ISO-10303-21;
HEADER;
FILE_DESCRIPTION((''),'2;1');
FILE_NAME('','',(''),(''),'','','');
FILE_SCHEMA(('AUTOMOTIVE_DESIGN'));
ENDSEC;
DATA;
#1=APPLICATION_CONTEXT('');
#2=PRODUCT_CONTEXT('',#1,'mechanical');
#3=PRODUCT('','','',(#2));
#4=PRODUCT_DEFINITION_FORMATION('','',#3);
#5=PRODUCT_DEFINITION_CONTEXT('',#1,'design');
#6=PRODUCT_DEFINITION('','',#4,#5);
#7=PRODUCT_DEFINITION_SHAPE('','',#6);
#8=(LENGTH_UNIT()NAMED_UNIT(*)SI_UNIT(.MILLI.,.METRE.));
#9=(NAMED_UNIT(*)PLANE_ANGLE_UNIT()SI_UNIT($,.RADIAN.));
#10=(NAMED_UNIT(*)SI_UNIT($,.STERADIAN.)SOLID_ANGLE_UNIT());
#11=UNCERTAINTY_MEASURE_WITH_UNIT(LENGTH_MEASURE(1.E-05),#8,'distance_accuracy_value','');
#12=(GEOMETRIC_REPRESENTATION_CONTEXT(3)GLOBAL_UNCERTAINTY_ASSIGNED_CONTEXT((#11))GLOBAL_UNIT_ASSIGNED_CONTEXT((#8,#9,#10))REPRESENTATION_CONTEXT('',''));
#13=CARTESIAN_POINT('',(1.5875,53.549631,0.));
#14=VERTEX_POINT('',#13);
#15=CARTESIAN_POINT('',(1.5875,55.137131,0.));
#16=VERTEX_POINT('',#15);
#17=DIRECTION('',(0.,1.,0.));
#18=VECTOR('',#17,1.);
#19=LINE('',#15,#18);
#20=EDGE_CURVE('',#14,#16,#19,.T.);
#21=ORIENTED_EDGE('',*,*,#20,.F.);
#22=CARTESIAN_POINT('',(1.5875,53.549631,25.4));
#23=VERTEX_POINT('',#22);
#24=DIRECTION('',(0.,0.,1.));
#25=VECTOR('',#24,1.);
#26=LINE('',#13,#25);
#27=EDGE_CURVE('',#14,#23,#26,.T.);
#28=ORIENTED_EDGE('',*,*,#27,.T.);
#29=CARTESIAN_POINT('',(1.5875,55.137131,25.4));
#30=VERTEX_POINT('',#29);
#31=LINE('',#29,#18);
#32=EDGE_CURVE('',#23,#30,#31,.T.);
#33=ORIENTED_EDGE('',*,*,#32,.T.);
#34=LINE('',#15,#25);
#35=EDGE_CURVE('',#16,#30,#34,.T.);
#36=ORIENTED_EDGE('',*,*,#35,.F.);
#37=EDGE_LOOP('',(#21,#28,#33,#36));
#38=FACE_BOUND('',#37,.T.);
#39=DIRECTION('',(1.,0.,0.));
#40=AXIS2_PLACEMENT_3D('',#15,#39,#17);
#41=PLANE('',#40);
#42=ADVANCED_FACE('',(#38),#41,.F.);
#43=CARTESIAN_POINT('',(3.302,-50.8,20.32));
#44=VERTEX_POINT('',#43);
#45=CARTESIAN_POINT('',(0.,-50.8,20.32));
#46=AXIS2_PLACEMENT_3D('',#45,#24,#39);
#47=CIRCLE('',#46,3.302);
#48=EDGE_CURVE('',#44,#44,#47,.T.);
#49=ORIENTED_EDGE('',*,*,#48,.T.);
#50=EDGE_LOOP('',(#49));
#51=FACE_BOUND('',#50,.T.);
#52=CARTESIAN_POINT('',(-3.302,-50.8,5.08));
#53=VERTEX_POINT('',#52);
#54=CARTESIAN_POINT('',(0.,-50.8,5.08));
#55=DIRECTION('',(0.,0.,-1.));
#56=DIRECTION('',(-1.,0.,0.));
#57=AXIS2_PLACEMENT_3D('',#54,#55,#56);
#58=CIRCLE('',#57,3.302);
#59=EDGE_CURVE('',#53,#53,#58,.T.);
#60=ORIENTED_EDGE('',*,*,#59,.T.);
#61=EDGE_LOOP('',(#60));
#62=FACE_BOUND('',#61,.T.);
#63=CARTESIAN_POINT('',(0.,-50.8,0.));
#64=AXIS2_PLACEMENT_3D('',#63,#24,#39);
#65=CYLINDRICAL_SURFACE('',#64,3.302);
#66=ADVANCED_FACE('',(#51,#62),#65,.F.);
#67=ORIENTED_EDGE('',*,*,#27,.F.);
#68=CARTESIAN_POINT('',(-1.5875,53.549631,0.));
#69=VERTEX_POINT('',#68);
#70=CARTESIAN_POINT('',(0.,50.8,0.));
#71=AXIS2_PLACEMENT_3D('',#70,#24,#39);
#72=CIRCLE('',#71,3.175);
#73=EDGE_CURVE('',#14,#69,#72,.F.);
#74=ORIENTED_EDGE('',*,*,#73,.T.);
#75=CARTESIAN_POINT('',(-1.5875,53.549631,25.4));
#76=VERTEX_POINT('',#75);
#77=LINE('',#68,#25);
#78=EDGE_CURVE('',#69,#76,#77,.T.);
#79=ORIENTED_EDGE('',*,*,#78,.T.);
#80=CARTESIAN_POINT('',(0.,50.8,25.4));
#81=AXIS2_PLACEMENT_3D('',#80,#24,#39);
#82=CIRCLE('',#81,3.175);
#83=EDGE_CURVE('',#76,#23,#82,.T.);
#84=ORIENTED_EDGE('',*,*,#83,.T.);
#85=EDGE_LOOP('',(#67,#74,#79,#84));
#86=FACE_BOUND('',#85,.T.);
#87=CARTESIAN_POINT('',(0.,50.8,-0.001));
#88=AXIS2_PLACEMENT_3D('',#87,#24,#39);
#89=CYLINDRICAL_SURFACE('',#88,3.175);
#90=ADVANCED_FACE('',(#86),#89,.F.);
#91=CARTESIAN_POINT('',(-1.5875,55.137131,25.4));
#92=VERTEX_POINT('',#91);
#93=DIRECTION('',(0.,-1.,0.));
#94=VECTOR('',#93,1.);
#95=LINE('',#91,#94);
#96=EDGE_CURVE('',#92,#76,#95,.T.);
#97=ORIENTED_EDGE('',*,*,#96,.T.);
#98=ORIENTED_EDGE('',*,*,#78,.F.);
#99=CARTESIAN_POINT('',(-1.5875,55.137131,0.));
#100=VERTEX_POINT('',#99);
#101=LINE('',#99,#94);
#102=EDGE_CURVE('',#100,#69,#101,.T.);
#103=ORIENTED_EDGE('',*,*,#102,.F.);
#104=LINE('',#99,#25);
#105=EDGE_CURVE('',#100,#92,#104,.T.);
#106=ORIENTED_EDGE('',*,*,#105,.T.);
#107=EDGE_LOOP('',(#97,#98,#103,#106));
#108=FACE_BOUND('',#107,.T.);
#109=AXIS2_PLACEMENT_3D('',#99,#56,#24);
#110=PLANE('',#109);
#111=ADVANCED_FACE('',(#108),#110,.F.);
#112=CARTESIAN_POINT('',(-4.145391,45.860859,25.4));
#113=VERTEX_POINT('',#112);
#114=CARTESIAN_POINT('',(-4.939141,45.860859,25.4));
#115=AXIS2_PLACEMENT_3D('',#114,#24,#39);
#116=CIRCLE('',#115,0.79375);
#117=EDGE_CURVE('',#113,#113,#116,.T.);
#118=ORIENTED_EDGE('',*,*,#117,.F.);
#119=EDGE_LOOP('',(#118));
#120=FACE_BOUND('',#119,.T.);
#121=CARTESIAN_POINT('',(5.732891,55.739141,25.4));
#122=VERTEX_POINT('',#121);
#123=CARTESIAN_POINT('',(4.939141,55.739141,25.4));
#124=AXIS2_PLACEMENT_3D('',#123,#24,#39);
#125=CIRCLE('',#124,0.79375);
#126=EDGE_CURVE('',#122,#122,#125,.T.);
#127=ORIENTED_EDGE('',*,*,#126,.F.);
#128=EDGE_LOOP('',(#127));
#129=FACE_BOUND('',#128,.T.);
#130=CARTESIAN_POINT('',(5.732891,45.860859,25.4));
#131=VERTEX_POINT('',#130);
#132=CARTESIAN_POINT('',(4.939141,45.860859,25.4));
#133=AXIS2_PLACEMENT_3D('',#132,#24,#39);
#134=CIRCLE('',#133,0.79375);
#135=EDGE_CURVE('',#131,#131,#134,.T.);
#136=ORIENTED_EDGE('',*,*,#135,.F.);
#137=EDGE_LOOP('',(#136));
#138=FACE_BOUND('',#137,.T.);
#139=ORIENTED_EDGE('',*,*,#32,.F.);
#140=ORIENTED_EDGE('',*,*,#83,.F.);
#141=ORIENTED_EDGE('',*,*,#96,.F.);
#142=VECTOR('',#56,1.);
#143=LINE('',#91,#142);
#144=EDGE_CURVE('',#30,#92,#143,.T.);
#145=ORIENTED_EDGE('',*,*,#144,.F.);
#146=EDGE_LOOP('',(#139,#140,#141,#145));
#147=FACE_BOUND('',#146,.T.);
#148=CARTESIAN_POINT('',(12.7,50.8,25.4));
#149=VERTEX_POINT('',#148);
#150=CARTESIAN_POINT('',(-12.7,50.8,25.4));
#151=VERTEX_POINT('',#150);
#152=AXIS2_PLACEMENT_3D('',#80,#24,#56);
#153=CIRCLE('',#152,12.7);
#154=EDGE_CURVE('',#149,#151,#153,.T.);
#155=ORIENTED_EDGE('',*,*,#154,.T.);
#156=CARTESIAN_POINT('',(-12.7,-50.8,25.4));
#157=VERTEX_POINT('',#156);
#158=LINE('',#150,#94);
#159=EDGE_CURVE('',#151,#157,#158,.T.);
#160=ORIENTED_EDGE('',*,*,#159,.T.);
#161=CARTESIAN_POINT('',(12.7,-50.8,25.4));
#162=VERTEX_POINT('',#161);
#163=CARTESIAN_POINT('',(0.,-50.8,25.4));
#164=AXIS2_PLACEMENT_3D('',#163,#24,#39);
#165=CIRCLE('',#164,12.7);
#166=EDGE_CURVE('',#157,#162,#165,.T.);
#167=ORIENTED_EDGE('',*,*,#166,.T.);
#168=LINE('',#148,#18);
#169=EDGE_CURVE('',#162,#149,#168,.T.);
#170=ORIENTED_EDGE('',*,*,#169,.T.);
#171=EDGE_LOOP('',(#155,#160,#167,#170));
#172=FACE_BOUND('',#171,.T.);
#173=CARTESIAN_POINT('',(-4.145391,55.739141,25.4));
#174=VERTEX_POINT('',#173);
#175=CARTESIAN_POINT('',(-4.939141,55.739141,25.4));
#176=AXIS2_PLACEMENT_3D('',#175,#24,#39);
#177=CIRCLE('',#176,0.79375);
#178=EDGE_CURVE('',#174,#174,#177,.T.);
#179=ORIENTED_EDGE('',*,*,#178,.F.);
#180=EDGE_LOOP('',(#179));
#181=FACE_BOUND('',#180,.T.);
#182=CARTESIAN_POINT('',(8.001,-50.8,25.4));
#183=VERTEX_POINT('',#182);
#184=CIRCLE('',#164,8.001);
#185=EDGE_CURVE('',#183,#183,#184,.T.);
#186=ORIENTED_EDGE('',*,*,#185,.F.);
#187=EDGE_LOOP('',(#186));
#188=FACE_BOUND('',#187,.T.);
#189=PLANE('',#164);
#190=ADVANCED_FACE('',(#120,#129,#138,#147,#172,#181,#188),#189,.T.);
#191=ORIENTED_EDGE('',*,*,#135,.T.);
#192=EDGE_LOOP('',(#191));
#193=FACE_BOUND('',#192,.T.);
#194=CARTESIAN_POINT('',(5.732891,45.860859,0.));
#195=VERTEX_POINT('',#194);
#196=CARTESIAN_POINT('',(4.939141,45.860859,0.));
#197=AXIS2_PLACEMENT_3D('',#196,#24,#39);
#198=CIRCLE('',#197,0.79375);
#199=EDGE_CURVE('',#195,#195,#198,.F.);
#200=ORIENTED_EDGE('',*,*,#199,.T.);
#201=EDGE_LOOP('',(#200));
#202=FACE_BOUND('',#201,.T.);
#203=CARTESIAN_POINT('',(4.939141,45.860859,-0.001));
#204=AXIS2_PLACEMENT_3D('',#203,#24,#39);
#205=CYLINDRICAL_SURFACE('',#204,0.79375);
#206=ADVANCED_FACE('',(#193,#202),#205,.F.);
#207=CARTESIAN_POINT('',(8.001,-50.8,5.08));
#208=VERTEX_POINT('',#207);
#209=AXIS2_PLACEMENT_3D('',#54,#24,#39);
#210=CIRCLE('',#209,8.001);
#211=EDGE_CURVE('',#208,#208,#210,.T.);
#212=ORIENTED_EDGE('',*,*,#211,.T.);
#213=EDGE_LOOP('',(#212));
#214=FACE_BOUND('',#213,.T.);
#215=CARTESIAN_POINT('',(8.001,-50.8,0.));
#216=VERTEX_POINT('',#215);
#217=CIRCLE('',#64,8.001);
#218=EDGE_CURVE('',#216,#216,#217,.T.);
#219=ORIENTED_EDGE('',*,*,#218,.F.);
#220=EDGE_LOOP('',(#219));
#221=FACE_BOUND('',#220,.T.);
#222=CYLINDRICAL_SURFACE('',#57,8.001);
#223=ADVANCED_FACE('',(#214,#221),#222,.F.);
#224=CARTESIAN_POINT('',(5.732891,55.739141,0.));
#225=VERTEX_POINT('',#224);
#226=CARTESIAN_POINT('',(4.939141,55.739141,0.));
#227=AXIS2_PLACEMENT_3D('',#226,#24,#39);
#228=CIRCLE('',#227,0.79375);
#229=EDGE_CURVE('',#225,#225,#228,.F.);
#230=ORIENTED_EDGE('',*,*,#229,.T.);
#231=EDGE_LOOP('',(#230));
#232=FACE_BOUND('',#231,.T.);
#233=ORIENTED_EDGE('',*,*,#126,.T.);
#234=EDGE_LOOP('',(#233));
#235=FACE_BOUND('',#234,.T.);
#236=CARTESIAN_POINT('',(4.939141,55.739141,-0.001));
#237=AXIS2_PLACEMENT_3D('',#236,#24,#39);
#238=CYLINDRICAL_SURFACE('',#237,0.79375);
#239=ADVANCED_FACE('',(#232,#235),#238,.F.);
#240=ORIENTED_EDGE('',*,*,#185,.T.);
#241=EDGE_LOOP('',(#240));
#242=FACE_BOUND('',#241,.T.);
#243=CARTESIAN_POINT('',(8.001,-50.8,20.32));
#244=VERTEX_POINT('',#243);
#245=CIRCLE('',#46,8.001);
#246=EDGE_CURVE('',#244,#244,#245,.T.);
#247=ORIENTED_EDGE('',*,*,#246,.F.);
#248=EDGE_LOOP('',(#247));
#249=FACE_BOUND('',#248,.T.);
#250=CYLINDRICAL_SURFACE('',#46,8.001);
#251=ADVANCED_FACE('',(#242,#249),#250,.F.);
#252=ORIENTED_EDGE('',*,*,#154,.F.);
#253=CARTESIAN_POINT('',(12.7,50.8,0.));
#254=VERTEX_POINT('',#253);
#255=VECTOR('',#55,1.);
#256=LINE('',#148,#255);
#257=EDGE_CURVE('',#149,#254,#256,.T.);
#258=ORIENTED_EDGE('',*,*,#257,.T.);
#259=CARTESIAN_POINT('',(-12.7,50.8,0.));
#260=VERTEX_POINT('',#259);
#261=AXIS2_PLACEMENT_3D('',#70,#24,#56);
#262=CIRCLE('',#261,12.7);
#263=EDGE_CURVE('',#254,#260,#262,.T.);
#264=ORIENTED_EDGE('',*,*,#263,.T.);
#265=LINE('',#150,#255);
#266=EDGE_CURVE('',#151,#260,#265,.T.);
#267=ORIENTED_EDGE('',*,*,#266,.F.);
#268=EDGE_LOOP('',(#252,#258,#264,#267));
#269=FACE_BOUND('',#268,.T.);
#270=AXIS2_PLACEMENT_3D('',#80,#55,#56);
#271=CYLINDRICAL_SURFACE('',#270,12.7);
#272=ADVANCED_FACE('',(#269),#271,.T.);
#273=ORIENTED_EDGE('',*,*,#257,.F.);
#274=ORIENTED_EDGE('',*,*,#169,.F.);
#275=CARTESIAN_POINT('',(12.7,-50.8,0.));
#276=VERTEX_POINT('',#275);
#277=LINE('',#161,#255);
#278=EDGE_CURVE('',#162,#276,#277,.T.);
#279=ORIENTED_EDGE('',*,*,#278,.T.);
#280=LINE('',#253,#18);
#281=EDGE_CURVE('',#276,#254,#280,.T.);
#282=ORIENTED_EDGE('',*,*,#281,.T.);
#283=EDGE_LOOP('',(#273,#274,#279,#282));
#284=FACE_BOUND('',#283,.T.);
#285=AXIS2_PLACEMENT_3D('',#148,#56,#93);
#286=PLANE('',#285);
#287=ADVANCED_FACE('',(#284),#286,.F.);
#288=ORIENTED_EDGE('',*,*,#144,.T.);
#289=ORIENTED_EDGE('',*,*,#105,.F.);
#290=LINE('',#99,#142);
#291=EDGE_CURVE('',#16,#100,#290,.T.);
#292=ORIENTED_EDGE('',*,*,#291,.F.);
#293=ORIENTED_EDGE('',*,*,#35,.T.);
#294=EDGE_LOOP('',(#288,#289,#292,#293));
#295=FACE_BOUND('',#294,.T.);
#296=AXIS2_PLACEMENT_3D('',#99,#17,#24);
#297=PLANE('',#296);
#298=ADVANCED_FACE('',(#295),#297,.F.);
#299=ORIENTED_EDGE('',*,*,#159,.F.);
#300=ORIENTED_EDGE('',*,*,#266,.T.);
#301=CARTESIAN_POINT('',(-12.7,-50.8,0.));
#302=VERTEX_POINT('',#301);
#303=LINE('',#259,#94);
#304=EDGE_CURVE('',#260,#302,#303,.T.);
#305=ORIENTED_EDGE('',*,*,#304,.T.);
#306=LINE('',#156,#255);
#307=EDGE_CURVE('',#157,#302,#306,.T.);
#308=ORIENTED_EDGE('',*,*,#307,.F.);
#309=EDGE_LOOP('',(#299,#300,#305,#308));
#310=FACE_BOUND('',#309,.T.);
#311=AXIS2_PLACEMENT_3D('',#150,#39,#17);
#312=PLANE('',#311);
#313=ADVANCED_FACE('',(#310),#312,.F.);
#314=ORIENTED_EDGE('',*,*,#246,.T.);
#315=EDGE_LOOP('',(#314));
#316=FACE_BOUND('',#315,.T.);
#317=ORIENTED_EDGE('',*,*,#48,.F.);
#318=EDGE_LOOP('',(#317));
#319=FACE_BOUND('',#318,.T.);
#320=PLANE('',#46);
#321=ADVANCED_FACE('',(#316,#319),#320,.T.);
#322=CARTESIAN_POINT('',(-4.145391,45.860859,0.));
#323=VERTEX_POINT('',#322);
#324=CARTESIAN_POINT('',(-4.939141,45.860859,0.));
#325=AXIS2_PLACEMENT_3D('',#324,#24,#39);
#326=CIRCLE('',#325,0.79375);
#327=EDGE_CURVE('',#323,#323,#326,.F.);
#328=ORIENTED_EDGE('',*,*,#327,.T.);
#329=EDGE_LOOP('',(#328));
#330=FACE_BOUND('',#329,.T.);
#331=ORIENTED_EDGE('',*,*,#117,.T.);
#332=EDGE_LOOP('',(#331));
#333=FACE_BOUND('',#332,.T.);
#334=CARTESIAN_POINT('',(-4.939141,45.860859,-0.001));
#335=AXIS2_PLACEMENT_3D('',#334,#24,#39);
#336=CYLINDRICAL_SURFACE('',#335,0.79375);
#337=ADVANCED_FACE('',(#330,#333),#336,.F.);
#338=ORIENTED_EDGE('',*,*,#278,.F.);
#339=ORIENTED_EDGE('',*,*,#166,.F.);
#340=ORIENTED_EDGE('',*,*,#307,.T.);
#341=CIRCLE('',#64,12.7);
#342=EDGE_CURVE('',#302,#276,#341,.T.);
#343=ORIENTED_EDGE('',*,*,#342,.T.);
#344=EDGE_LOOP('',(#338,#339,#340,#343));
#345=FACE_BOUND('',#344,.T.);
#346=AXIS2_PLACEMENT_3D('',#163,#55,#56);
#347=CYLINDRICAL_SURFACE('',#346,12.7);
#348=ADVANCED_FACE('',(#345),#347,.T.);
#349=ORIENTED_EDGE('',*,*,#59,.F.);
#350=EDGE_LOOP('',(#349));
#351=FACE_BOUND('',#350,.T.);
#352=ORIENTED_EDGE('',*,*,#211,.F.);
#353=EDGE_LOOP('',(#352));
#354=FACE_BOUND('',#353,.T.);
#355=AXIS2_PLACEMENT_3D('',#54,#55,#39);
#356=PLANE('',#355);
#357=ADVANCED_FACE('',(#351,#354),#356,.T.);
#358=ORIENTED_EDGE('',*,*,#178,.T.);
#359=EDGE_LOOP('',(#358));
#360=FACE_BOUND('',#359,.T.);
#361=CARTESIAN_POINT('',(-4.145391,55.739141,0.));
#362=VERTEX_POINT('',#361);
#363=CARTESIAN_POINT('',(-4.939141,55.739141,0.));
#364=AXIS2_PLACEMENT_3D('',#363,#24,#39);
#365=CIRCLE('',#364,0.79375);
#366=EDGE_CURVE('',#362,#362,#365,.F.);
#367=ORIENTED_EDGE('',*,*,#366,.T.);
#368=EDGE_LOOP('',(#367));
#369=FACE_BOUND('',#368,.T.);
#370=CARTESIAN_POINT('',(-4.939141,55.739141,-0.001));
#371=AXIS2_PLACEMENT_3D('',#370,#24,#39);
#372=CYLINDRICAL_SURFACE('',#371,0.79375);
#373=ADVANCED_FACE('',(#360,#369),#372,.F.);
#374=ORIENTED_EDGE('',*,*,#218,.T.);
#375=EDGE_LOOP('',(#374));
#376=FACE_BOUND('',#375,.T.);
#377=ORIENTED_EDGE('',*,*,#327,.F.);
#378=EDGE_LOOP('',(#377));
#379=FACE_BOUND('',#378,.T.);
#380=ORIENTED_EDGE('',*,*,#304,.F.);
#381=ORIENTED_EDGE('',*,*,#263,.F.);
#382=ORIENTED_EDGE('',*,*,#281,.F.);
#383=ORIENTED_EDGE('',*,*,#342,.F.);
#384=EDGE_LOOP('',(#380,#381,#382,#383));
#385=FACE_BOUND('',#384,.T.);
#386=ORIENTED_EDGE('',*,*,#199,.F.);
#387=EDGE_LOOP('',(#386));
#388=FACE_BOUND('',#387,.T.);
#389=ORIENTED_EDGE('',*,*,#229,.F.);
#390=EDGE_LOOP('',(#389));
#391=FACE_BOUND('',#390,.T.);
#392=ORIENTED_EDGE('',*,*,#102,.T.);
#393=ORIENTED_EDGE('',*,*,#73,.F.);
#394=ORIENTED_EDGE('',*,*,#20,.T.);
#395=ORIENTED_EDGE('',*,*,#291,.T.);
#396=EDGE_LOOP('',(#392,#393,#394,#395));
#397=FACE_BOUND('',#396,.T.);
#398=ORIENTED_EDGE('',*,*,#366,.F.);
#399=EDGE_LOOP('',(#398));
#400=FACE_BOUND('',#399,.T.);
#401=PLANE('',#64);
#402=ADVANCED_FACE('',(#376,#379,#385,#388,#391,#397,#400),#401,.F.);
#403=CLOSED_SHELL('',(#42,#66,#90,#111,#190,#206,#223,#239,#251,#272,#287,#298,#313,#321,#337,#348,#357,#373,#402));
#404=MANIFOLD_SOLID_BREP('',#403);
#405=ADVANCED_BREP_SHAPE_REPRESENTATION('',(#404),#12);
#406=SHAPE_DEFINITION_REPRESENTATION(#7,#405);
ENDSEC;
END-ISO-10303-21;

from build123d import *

# Parameters (mm, degrees)
BOSS_EXTRUDE1_DEPTH = 25.4
CUT_EXTRUDE1_REACH  = 71.561
SKETCH2_R           = 3.175
SKETCH2_R_2         = 0.79375
SKETCH3_W           = 3.175
SKETCH3_H           = 1.5875
CUT_EXTRUDE2_DEPTH  = 70.560764803
SKETCH4_R           = 8.001
CUT_EXTRUDE3_DEPTH  = 5.08
SKETCH5_R           = 3.302
CUT_EXTRUDE4_DEPTH  = 68.870777217


with BuildPart() as part:
    # Sketch1 → Boss-Extrude1 (new body)
    with BuildSketch(Plane.XY):
        with BuildLine():
            Line((12.7, 50.8), (12.7, -50.8))
            ThreePointArc((12.7, -50.8), (0, -63.5), (-12.7, -50.8))
            Line((-12.7, -50.8), (-12.7, 50.8))
            ThreePointArc((-12.7, 50.8), (0, 63.5), (12.7, 50.8))
        make_face()
    extrude(amount=BOSS_EXTRUDE1_DEPTH)

    # Sketch2 → Cut-Extrude1 (cut, up to next)
    with BuildSketch(Plane.XY.offset(25.4), mode=Mode.PRIVATE) as cut_extrude1_sk1:
        with Locations((0, 50.8)):
            Circle(SKETCH2_R)
    cut_extrude1_tool1 = extrude(cut_extrude1_sk1.sketch, amount=-CUT_EXTRUDE1_REACH, mode=Mode.PRIVATE) & part.part
    # Sketch2 → Cut-Extrude1 (cut, up to next)
    with BuildSketch(Plane.XY.offset(25.4), mode=Mode.PRIVATE) as cut_extrude1_sk2:
        with Locations((-4.939140867, 55.739140867)):
            Circle(SKETCH2_R_2)
    cut_extrude1_tool2 = extrude(cut_extrude1_sk2.sketch, amount=-CUT_EXTRUDE1_REACH, mode=Mode.PRIVATE) & part.part
    # Sketch2 → Cut-Extrude1 (cut, up to next)
    with BuildSketch(Plane.XY.offset(25.4), mode=Mode.PRIVATE) as cut_extrude1_sk3:
        with Locations((-4.939140867, 45.860859133)):
            Circle(SKETCH2_R_2)
    cut_extrude1_tool3 = extrude(cut_extrude1_sk3.sketch, amount=-CUT_EXTRUDE1_REACH, mode=Mode.PRIVATE) & part.part
    # Sketch2 → Cut-Extrude1 (cut, up to next)
    with BuildSketch(Plane.XY.offset(25.4), mode=Mode.PRIVATE) as cut_extrude1_sk4:
        with Locations((4.939140867, 55.739140867)):
            Circle(SKETCH2_R_2)
    cut_extrude1_tool4 = extrude(cut_extrude1_sk4.sketch, amount=-CUT_EXTRUDE1_REACH, mode=Mode.PRIVATE) & part.part
    # Sketch2 → Cut-Extrude1 (cut, up to next)
    with BuildSketch(Plane.XY.offset(25.4), mode=Mode.PRIVATE) as cut_extrude1_sk5:
        with Locations((4.939140867, 45.860859133)):
            Circle(SKETCH2_R_2)
    cut_extrude1_tool5 = extrude(cut_extrude1_sk5.sketch, amount=-CUT_EXTRUDE1_REACH, mode=Mode.PRIVATE) & part.part
    add(cut_extrude1_tool1.solids().sort_by_distance((0, 50.8, 25.4))[0], mode=Mode.SUBTRACT)
    add(cut_extrude1_tool2.solids().sort_by_distance((-4.939141, 55.739141, 25.4))[0], mode=Mode.SUBTRACT)
    add(cut_extrude1_tool3.solids().sort_by_distance((-4.939141, 45.860859, 25.4))[0], mode=Mode.SUBTRACT)
    add(cut_extrude1_tool4.solids().sort_by_distance((4.939141, 55.739141, 25.4))[0], mode=Mode.SUBTRACT)
    add(cut_extrude1_tool5.solids().sort_by_distance((4.939141, 45.860859, 25.4))[0], mode=Mode.SUBTRACT)

    # Sketch3 → Cut-Extrude2 (cut, through all)
    with BuildSketch(Plane.XY.offset(25.4)):
        with Locations((0, 54.343380657)):
            Rectangle(SKETCH3_W, SKETCH3_H)
    extrude(amount=-CUT_EXTRUDE2_DEPTH, mode=Mode.SUBTRACT)

    # Sketch4 → Cut-Extrude3 (cut)
    with BuildSketch(Plane.XY.offset(25.4)):
        with Locations((0, -50.8)):
            Circle(SKETCH4_R)
    cut_extrude3 = extrude(amount=-CUT_EXTRUDE3_DEPTH, mode=Mode.SUBTRACT)

    # Mirror1: Cut-Extrude3 across plane
    add(cut_extrude3.mirror(Plane.XY.offset(12.7)), mode=Mode.SUBTRACT)

    # Sketch5 → Cut-Extrude4 (cut, through all)
    with BuildSketch(Plane.XY.offset(20.32)):
        with Locations((0, -50.8)):
            Circle(SKETCH5_R)
    extrude(amount=-CUT_EXTRUDE4_DEPTH, mode=Mode.SUBTRACT)


solid = part.part
